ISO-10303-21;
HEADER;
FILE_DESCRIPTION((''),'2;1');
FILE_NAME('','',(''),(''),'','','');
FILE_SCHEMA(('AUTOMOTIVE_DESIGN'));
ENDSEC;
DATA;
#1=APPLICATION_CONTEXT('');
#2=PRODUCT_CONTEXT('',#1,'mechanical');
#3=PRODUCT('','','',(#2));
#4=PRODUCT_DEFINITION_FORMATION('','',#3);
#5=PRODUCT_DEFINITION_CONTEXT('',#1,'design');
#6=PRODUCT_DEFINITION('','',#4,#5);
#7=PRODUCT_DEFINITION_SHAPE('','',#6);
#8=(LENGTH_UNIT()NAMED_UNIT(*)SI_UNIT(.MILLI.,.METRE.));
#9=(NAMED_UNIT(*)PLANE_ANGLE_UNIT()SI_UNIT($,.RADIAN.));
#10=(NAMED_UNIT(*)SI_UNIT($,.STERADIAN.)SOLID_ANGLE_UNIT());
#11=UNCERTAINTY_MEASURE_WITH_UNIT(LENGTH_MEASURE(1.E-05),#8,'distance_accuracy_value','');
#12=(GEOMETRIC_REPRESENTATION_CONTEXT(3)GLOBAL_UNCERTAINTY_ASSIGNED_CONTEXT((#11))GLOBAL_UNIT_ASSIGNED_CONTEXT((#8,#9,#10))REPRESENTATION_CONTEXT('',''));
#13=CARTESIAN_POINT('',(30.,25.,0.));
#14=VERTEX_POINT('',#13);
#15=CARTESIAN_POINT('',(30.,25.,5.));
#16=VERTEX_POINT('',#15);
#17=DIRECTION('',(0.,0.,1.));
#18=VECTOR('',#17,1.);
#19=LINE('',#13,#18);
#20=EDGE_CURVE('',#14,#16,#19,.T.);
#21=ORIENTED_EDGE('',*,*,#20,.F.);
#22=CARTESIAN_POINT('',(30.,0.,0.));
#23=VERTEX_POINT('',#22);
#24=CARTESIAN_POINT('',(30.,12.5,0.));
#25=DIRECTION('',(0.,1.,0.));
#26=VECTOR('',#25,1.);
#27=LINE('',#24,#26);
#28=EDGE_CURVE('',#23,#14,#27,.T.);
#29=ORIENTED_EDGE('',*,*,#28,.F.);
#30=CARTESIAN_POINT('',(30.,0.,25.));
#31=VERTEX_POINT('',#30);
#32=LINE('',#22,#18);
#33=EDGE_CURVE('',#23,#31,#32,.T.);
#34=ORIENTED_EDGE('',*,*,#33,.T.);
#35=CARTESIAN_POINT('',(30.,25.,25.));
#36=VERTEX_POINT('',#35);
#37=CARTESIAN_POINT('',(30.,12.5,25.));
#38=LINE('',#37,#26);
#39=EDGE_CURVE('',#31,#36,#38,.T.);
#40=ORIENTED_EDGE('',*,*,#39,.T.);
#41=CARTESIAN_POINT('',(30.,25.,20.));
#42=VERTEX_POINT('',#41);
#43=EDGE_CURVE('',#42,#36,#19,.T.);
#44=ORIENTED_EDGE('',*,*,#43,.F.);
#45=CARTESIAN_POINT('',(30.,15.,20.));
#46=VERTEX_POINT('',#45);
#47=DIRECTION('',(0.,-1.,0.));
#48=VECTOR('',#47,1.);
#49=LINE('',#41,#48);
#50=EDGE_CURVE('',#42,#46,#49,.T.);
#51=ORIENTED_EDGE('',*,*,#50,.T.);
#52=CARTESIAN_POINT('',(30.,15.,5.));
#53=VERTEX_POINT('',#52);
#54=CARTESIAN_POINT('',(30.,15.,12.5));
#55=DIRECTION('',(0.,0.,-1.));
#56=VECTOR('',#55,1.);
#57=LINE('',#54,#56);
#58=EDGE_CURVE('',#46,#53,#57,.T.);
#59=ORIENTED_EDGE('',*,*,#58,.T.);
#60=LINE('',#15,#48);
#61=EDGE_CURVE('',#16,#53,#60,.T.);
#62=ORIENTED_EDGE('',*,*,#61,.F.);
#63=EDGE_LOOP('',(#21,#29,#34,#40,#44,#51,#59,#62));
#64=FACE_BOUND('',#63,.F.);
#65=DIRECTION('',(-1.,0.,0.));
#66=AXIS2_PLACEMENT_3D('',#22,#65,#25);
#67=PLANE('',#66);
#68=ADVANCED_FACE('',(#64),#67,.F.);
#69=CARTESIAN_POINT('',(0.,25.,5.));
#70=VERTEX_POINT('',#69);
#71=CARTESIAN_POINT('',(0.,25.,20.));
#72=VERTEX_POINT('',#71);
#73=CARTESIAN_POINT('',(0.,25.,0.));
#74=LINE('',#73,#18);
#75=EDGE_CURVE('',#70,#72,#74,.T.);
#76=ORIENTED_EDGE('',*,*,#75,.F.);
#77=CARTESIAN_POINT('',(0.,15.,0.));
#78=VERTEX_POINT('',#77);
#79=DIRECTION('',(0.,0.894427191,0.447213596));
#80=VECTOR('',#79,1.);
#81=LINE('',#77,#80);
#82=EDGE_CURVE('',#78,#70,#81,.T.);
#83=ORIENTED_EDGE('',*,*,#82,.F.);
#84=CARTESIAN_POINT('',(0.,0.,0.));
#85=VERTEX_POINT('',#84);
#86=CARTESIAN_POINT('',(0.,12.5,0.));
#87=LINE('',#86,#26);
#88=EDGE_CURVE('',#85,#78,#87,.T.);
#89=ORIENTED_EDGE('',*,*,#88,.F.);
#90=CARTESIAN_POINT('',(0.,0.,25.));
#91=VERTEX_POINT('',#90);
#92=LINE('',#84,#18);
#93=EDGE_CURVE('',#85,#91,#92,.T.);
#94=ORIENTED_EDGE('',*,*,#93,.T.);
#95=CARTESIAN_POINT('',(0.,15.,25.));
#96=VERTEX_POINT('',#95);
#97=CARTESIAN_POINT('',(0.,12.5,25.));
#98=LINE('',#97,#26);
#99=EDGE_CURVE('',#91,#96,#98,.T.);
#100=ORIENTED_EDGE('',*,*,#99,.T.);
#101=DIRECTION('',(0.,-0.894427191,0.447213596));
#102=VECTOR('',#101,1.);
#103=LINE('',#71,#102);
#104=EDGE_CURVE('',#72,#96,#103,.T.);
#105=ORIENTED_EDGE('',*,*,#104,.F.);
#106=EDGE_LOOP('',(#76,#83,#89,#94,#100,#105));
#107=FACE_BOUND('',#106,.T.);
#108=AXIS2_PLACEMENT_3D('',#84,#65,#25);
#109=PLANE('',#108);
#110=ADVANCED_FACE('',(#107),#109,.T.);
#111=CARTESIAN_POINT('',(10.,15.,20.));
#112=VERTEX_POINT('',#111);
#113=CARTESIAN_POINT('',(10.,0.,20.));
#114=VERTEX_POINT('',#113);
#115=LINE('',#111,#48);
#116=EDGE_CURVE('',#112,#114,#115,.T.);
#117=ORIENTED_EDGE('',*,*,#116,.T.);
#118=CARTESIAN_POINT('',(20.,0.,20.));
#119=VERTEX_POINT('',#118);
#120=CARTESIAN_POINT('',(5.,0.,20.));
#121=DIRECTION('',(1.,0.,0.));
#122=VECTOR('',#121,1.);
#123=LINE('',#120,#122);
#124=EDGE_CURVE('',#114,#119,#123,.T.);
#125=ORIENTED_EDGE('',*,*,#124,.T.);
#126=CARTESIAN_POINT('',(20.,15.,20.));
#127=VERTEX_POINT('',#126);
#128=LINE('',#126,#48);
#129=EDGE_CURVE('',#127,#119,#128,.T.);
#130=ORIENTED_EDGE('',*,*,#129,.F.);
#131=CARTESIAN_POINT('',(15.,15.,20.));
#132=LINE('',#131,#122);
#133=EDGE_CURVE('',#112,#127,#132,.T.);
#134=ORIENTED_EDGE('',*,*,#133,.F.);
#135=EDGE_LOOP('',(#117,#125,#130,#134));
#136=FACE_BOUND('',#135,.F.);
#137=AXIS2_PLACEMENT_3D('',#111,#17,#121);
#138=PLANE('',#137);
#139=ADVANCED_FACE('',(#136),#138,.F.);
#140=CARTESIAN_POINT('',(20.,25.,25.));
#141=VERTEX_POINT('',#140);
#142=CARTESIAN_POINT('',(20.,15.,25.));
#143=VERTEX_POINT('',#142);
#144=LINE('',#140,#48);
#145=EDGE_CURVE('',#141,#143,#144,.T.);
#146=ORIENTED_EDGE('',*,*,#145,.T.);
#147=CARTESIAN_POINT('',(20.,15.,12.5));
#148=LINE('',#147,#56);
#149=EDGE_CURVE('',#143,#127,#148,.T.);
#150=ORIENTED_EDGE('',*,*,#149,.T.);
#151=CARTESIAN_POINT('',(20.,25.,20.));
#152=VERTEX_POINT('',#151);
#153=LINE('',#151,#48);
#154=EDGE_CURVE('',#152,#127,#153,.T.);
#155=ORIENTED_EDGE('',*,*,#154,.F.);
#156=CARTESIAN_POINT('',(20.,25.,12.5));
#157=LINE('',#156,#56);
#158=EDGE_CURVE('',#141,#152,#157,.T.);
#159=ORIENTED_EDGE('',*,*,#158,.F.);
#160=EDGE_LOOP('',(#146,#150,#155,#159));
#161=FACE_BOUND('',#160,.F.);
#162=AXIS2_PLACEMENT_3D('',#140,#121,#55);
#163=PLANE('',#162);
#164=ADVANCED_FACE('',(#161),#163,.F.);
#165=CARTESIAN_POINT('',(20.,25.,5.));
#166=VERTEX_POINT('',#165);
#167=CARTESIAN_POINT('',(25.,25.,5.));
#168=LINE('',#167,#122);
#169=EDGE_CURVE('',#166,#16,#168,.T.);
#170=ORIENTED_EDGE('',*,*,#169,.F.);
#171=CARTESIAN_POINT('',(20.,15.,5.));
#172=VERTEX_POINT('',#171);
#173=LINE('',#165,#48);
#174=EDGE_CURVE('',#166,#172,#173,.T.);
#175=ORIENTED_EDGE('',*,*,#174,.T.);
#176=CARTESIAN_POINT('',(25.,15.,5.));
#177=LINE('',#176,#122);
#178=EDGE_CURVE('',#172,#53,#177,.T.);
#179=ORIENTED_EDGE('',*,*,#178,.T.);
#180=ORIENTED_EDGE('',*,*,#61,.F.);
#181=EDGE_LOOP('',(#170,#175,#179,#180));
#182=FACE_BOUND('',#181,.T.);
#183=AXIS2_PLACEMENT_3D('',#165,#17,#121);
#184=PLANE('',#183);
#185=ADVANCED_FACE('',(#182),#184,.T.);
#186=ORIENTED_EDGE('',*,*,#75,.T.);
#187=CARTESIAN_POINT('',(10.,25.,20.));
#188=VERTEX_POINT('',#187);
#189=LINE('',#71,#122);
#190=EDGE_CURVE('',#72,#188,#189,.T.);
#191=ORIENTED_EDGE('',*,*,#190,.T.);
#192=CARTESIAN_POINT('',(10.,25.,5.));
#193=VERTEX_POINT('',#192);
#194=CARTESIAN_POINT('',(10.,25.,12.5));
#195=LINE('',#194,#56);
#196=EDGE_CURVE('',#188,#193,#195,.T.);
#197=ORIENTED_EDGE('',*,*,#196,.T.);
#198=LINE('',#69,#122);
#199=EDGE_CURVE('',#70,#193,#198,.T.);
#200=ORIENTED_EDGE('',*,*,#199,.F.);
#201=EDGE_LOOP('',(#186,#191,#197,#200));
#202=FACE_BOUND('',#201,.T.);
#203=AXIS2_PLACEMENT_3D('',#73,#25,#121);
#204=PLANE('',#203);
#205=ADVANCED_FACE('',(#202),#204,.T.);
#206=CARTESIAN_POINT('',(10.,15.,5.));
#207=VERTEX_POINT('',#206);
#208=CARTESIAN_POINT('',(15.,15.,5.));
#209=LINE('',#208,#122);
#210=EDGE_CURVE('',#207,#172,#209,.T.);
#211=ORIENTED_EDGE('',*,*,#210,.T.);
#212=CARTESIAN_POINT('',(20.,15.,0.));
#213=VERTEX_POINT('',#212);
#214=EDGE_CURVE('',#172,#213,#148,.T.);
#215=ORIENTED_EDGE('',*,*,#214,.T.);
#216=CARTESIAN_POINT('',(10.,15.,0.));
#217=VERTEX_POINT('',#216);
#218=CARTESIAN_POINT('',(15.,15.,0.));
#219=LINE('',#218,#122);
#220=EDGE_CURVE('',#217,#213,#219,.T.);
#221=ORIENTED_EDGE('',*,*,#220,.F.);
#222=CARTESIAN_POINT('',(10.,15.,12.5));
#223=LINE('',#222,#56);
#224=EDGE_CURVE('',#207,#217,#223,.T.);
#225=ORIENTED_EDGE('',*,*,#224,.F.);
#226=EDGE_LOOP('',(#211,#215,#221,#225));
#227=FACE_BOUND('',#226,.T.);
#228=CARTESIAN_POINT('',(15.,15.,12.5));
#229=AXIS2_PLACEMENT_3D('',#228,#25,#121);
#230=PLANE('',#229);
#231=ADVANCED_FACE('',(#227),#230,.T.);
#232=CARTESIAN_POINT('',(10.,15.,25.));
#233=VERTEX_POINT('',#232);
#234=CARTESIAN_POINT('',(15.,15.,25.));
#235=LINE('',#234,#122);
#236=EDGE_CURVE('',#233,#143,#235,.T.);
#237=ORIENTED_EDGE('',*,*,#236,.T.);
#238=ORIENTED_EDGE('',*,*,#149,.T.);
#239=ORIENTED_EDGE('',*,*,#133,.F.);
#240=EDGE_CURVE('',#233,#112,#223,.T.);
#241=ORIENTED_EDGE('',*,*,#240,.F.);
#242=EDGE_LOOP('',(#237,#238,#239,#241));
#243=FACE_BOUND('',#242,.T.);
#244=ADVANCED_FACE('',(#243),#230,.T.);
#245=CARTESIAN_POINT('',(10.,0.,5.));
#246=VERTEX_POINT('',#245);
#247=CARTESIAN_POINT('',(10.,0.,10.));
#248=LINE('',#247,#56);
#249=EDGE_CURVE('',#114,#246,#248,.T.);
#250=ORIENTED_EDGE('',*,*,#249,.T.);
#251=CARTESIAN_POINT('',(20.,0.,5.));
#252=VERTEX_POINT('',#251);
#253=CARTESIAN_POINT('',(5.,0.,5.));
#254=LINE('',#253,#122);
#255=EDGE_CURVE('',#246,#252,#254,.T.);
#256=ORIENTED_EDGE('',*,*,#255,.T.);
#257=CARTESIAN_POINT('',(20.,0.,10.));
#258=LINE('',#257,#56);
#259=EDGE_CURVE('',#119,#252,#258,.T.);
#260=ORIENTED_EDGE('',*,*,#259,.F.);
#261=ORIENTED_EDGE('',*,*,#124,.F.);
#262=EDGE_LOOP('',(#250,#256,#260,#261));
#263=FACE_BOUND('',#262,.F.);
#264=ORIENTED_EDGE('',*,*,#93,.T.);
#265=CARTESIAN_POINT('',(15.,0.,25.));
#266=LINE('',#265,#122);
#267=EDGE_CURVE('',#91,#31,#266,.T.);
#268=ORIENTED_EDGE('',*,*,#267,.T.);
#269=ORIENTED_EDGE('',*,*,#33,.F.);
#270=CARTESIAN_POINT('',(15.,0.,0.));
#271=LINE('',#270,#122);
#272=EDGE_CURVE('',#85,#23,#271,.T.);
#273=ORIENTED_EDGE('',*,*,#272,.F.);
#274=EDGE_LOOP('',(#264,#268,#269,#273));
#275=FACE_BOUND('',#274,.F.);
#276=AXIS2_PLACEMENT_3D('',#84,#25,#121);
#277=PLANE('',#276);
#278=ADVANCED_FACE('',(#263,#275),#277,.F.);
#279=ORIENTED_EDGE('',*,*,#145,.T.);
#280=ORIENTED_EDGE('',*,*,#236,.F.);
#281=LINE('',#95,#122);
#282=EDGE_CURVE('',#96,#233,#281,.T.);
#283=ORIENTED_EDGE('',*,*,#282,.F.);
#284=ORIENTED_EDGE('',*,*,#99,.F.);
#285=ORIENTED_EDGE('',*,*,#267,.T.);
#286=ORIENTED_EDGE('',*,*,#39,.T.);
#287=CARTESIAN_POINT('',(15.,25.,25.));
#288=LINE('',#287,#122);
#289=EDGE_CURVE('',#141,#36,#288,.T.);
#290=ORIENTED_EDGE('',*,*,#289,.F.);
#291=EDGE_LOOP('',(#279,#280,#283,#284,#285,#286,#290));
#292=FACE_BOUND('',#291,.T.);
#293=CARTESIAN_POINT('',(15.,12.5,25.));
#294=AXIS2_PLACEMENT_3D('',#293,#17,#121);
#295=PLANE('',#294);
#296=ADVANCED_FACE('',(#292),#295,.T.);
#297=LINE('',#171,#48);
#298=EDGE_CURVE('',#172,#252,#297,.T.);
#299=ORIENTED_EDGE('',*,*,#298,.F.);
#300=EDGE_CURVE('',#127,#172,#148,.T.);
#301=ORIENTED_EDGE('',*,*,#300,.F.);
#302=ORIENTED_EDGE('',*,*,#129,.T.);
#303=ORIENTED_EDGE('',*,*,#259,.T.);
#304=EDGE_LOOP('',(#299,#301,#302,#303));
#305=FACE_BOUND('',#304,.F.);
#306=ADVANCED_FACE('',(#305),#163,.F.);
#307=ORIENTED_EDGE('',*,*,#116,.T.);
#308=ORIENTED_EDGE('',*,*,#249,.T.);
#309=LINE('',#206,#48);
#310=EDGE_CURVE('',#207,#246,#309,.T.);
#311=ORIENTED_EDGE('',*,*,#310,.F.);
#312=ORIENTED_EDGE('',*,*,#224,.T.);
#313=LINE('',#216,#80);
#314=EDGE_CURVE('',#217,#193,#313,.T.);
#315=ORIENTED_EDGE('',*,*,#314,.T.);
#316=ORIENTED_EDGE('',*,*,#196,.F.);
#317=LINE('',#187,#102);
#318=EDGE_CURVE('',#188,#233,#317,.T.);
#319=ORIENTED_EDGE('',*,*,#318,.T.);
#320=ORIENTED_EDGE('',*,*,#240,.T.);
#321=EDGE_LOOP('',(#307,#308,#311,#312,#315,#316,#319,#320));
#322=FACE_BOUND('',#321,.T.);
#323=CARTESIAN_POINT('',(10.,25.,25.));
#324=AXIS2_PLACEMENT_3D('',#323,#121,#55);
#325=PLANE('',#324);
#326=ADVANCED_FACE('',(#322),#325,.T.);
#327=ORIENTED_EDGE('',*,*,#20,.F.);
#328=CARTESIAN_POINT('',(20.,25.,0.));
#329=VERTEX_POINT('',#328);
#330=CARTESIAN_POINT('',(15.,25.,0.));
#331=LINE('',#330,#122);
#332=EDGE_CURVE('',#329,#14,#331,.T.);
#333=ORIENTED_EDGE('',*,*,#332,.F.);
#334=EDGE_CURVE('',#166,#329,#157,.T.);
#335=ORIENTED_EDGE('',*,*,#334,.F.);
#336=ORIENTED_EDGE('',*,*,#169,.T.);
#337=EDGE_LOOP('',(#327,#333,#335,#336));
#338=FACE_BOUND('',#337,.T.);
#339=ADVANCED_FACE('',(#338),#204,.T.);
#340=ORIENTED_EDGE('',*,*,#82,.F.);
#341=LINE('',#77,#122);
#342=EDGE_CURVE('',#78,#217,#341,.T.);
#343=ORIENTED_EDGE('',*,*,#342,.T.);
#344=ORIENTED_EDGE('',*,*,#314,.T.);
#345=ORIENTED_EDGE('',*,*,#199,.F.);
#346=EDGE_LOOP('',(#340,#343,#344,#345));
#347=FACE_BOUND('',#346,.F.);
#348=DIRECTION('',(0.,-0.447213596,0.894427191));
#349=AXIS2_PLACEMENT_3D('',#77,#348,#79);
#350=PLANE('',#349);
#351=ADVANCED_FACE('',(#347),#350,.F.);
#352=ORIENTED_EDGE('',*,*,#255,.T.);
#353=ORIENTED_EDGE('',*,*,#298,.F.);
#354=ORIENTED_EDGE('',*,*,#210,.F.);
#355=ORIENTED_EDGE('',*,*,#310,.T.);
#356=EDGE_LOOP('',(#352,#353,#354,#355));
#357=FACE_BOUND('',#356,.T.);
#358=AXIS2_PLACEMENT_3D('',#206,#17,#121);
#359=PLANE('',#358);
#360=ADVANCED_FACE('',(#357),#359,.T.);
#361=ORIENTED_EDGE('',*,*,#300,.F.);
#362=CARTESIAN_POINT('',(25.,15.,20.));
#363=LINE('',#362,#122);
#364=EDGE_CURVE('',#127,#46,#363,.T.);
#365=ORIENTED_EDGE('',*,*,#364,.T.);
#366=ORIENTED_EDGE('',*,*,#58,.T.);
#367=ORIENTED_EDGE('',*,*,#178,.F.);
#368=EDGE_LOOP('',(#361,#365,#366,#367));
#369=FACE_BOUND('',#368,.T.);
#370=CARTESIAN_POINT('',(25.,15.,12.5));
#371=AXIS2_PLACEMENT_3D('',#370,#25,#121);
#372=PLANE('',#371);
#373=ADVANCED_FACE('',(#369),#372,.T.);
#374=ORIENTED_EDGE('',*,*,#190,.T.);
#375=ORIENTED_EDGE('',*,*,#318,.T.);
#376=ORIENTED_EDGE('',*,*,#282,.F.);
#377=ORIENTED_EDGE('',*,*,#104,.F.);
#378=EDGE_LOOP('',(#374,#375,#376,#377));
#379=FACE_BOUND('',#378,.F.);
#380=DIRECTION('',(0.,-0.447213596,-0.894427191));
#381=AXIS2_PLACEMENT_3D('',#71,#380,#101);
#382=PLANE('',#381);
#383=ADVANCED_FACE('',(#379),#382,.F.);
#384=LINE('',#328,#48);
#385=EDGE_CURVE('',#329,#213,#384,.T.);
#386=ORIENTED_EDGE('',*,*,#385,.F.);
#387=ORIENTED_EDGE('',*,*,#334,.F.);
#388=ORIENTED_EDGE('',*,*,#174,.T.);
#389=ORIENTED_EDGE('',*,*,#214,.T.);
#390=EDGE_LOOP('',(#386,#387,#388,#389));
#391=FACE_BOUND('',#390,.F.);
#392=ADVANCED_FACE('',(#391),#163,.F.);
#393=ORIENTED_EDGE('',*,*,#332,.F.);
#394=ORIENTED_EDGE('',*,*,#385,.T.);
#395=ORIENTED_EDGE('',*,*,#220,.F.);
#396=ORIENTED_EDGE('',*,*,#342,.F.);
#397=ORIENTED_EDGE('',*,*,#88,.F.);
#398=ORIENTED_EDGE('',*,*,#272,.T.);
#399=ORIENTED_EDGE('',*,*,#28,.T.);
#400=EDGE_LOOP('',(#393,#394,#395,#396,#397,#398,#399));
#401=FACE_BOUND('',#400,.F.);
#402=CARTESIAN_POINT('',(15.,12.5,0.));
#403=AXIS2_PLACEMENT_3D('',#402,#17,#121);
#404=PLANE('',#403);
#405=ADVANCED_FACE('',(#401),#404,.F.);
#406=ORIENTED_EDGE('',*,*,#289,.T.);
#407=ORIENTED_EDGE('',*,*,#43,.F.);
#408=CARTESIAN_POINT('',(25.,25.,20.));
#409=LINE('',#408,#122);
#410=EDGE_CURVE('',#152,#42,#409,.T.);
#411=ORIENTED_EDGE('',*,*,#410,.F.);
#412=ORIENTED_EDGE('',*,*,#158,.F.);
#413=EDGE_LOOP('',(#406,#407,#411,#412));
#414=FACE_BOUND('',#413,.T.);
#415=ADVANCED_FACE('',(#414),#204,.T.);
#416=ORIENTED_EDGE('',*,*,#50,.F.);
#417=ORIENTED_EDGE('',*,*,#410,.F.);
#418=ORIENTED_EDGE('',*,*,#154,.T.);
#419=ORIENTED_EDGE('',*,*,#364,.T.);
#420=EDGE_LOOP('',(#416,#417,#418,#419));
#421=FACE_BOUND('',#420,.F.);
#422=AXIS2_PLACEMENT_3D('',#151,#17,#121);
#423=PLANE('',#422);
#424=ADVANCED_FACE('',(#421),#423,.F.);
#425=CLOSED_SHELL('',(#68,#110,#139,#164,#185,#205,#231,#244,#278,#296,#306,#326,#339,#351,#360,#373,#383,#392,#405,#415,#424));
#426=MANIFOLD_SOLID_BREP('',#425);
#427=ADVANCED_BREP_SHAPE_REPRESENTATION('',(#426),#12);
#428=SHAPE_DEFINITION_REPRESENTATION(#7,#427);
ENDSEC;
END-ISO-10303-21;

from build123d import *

# Parameters (mm, degrees)
SKETCH1_W           = 30
SKETCH1_H           = 25
BOSS_EXTRUDE1_DEPTH = 25
CUT_EXTRUDE1_DEPTH  = 10
SKETCH3_W           = 10
SKETCH3_H           = 25
CUT_EXTRUDE3_DEPTH  = 10
SKETCH5_W           = 10
SKETCH5_H           = 15
CUT_EXTRUDE4_DEPTH  = 30
SKETCH6_W           = 10
SKETCH6_H           = 15
CUT_EXTRUDE5_DEPTH  = 10


with BuildPart() as part:
    # Sketch1 → Boss-Extrude1 (new body)
    with BuildSketch(Plane.XY):
        with Locations((15, 12.5)):
            Rectangle(SKETCH1_W, SKETCH1_H)
    extrude(amount=BOSS_EXTRUDE1_DEPTH)

    # Sketch2 → Cut-Extrude1 (cut)
    with BuildSketch(Plane.ZY):
        Polygon((0, 15), (5, 25), (0, 25), align=None)
        Polygon((25, 25), (20, 25), (25, 15), align=None)
    extrude(amount=-CUT_EXTRUDE1_DEPTH, mode=Mode.SUBTRACT)

    # Sketch3 → Cut-Extrude3 (cut)
    with BuildSketch(Plane(origin=(0, 25, 0), x_dir=(1, 0, 0), z_dir=(0, 1, 0))):
        with Locations((15, -12.5)):
            Rectangle(SKETCH3_W, SKETCH3_H)
    extrude(amount=-CUT_EXTRUDE3_DEPTH, mode=Mode.SUBTRACT)

    # Sketch5 → Cut-Extrude4 (cut)
    with BuildSketch(Plane(origin=(0, 15, 0), x_dir=(1, 0, 0), z_dir=(0, 1, 0))):
        with Locations((15, -12.5)):
            Rectangle(SKETCH5_W, SKETCH5_H)
    extrude(amount=-CUT_EXTRUDE4_DEPTH, mode=Mode.SUBTRACT)

    # Sketch6 → Cut-Extrude5 (cut)
    with BuildSketch(Plane(origin=(0, 25, 0), x_dir=(1, 0, 0), z_dir=(0, 1, 0))):
        with Locations((25, -12.5)):
            Rectangle(SKETCH6_W, SKETCH6_H)
    extrude(amount=-CUT_EXTRUDE5_DEPTH, mode=Mode.SUBTRACT)


solid = part.part
